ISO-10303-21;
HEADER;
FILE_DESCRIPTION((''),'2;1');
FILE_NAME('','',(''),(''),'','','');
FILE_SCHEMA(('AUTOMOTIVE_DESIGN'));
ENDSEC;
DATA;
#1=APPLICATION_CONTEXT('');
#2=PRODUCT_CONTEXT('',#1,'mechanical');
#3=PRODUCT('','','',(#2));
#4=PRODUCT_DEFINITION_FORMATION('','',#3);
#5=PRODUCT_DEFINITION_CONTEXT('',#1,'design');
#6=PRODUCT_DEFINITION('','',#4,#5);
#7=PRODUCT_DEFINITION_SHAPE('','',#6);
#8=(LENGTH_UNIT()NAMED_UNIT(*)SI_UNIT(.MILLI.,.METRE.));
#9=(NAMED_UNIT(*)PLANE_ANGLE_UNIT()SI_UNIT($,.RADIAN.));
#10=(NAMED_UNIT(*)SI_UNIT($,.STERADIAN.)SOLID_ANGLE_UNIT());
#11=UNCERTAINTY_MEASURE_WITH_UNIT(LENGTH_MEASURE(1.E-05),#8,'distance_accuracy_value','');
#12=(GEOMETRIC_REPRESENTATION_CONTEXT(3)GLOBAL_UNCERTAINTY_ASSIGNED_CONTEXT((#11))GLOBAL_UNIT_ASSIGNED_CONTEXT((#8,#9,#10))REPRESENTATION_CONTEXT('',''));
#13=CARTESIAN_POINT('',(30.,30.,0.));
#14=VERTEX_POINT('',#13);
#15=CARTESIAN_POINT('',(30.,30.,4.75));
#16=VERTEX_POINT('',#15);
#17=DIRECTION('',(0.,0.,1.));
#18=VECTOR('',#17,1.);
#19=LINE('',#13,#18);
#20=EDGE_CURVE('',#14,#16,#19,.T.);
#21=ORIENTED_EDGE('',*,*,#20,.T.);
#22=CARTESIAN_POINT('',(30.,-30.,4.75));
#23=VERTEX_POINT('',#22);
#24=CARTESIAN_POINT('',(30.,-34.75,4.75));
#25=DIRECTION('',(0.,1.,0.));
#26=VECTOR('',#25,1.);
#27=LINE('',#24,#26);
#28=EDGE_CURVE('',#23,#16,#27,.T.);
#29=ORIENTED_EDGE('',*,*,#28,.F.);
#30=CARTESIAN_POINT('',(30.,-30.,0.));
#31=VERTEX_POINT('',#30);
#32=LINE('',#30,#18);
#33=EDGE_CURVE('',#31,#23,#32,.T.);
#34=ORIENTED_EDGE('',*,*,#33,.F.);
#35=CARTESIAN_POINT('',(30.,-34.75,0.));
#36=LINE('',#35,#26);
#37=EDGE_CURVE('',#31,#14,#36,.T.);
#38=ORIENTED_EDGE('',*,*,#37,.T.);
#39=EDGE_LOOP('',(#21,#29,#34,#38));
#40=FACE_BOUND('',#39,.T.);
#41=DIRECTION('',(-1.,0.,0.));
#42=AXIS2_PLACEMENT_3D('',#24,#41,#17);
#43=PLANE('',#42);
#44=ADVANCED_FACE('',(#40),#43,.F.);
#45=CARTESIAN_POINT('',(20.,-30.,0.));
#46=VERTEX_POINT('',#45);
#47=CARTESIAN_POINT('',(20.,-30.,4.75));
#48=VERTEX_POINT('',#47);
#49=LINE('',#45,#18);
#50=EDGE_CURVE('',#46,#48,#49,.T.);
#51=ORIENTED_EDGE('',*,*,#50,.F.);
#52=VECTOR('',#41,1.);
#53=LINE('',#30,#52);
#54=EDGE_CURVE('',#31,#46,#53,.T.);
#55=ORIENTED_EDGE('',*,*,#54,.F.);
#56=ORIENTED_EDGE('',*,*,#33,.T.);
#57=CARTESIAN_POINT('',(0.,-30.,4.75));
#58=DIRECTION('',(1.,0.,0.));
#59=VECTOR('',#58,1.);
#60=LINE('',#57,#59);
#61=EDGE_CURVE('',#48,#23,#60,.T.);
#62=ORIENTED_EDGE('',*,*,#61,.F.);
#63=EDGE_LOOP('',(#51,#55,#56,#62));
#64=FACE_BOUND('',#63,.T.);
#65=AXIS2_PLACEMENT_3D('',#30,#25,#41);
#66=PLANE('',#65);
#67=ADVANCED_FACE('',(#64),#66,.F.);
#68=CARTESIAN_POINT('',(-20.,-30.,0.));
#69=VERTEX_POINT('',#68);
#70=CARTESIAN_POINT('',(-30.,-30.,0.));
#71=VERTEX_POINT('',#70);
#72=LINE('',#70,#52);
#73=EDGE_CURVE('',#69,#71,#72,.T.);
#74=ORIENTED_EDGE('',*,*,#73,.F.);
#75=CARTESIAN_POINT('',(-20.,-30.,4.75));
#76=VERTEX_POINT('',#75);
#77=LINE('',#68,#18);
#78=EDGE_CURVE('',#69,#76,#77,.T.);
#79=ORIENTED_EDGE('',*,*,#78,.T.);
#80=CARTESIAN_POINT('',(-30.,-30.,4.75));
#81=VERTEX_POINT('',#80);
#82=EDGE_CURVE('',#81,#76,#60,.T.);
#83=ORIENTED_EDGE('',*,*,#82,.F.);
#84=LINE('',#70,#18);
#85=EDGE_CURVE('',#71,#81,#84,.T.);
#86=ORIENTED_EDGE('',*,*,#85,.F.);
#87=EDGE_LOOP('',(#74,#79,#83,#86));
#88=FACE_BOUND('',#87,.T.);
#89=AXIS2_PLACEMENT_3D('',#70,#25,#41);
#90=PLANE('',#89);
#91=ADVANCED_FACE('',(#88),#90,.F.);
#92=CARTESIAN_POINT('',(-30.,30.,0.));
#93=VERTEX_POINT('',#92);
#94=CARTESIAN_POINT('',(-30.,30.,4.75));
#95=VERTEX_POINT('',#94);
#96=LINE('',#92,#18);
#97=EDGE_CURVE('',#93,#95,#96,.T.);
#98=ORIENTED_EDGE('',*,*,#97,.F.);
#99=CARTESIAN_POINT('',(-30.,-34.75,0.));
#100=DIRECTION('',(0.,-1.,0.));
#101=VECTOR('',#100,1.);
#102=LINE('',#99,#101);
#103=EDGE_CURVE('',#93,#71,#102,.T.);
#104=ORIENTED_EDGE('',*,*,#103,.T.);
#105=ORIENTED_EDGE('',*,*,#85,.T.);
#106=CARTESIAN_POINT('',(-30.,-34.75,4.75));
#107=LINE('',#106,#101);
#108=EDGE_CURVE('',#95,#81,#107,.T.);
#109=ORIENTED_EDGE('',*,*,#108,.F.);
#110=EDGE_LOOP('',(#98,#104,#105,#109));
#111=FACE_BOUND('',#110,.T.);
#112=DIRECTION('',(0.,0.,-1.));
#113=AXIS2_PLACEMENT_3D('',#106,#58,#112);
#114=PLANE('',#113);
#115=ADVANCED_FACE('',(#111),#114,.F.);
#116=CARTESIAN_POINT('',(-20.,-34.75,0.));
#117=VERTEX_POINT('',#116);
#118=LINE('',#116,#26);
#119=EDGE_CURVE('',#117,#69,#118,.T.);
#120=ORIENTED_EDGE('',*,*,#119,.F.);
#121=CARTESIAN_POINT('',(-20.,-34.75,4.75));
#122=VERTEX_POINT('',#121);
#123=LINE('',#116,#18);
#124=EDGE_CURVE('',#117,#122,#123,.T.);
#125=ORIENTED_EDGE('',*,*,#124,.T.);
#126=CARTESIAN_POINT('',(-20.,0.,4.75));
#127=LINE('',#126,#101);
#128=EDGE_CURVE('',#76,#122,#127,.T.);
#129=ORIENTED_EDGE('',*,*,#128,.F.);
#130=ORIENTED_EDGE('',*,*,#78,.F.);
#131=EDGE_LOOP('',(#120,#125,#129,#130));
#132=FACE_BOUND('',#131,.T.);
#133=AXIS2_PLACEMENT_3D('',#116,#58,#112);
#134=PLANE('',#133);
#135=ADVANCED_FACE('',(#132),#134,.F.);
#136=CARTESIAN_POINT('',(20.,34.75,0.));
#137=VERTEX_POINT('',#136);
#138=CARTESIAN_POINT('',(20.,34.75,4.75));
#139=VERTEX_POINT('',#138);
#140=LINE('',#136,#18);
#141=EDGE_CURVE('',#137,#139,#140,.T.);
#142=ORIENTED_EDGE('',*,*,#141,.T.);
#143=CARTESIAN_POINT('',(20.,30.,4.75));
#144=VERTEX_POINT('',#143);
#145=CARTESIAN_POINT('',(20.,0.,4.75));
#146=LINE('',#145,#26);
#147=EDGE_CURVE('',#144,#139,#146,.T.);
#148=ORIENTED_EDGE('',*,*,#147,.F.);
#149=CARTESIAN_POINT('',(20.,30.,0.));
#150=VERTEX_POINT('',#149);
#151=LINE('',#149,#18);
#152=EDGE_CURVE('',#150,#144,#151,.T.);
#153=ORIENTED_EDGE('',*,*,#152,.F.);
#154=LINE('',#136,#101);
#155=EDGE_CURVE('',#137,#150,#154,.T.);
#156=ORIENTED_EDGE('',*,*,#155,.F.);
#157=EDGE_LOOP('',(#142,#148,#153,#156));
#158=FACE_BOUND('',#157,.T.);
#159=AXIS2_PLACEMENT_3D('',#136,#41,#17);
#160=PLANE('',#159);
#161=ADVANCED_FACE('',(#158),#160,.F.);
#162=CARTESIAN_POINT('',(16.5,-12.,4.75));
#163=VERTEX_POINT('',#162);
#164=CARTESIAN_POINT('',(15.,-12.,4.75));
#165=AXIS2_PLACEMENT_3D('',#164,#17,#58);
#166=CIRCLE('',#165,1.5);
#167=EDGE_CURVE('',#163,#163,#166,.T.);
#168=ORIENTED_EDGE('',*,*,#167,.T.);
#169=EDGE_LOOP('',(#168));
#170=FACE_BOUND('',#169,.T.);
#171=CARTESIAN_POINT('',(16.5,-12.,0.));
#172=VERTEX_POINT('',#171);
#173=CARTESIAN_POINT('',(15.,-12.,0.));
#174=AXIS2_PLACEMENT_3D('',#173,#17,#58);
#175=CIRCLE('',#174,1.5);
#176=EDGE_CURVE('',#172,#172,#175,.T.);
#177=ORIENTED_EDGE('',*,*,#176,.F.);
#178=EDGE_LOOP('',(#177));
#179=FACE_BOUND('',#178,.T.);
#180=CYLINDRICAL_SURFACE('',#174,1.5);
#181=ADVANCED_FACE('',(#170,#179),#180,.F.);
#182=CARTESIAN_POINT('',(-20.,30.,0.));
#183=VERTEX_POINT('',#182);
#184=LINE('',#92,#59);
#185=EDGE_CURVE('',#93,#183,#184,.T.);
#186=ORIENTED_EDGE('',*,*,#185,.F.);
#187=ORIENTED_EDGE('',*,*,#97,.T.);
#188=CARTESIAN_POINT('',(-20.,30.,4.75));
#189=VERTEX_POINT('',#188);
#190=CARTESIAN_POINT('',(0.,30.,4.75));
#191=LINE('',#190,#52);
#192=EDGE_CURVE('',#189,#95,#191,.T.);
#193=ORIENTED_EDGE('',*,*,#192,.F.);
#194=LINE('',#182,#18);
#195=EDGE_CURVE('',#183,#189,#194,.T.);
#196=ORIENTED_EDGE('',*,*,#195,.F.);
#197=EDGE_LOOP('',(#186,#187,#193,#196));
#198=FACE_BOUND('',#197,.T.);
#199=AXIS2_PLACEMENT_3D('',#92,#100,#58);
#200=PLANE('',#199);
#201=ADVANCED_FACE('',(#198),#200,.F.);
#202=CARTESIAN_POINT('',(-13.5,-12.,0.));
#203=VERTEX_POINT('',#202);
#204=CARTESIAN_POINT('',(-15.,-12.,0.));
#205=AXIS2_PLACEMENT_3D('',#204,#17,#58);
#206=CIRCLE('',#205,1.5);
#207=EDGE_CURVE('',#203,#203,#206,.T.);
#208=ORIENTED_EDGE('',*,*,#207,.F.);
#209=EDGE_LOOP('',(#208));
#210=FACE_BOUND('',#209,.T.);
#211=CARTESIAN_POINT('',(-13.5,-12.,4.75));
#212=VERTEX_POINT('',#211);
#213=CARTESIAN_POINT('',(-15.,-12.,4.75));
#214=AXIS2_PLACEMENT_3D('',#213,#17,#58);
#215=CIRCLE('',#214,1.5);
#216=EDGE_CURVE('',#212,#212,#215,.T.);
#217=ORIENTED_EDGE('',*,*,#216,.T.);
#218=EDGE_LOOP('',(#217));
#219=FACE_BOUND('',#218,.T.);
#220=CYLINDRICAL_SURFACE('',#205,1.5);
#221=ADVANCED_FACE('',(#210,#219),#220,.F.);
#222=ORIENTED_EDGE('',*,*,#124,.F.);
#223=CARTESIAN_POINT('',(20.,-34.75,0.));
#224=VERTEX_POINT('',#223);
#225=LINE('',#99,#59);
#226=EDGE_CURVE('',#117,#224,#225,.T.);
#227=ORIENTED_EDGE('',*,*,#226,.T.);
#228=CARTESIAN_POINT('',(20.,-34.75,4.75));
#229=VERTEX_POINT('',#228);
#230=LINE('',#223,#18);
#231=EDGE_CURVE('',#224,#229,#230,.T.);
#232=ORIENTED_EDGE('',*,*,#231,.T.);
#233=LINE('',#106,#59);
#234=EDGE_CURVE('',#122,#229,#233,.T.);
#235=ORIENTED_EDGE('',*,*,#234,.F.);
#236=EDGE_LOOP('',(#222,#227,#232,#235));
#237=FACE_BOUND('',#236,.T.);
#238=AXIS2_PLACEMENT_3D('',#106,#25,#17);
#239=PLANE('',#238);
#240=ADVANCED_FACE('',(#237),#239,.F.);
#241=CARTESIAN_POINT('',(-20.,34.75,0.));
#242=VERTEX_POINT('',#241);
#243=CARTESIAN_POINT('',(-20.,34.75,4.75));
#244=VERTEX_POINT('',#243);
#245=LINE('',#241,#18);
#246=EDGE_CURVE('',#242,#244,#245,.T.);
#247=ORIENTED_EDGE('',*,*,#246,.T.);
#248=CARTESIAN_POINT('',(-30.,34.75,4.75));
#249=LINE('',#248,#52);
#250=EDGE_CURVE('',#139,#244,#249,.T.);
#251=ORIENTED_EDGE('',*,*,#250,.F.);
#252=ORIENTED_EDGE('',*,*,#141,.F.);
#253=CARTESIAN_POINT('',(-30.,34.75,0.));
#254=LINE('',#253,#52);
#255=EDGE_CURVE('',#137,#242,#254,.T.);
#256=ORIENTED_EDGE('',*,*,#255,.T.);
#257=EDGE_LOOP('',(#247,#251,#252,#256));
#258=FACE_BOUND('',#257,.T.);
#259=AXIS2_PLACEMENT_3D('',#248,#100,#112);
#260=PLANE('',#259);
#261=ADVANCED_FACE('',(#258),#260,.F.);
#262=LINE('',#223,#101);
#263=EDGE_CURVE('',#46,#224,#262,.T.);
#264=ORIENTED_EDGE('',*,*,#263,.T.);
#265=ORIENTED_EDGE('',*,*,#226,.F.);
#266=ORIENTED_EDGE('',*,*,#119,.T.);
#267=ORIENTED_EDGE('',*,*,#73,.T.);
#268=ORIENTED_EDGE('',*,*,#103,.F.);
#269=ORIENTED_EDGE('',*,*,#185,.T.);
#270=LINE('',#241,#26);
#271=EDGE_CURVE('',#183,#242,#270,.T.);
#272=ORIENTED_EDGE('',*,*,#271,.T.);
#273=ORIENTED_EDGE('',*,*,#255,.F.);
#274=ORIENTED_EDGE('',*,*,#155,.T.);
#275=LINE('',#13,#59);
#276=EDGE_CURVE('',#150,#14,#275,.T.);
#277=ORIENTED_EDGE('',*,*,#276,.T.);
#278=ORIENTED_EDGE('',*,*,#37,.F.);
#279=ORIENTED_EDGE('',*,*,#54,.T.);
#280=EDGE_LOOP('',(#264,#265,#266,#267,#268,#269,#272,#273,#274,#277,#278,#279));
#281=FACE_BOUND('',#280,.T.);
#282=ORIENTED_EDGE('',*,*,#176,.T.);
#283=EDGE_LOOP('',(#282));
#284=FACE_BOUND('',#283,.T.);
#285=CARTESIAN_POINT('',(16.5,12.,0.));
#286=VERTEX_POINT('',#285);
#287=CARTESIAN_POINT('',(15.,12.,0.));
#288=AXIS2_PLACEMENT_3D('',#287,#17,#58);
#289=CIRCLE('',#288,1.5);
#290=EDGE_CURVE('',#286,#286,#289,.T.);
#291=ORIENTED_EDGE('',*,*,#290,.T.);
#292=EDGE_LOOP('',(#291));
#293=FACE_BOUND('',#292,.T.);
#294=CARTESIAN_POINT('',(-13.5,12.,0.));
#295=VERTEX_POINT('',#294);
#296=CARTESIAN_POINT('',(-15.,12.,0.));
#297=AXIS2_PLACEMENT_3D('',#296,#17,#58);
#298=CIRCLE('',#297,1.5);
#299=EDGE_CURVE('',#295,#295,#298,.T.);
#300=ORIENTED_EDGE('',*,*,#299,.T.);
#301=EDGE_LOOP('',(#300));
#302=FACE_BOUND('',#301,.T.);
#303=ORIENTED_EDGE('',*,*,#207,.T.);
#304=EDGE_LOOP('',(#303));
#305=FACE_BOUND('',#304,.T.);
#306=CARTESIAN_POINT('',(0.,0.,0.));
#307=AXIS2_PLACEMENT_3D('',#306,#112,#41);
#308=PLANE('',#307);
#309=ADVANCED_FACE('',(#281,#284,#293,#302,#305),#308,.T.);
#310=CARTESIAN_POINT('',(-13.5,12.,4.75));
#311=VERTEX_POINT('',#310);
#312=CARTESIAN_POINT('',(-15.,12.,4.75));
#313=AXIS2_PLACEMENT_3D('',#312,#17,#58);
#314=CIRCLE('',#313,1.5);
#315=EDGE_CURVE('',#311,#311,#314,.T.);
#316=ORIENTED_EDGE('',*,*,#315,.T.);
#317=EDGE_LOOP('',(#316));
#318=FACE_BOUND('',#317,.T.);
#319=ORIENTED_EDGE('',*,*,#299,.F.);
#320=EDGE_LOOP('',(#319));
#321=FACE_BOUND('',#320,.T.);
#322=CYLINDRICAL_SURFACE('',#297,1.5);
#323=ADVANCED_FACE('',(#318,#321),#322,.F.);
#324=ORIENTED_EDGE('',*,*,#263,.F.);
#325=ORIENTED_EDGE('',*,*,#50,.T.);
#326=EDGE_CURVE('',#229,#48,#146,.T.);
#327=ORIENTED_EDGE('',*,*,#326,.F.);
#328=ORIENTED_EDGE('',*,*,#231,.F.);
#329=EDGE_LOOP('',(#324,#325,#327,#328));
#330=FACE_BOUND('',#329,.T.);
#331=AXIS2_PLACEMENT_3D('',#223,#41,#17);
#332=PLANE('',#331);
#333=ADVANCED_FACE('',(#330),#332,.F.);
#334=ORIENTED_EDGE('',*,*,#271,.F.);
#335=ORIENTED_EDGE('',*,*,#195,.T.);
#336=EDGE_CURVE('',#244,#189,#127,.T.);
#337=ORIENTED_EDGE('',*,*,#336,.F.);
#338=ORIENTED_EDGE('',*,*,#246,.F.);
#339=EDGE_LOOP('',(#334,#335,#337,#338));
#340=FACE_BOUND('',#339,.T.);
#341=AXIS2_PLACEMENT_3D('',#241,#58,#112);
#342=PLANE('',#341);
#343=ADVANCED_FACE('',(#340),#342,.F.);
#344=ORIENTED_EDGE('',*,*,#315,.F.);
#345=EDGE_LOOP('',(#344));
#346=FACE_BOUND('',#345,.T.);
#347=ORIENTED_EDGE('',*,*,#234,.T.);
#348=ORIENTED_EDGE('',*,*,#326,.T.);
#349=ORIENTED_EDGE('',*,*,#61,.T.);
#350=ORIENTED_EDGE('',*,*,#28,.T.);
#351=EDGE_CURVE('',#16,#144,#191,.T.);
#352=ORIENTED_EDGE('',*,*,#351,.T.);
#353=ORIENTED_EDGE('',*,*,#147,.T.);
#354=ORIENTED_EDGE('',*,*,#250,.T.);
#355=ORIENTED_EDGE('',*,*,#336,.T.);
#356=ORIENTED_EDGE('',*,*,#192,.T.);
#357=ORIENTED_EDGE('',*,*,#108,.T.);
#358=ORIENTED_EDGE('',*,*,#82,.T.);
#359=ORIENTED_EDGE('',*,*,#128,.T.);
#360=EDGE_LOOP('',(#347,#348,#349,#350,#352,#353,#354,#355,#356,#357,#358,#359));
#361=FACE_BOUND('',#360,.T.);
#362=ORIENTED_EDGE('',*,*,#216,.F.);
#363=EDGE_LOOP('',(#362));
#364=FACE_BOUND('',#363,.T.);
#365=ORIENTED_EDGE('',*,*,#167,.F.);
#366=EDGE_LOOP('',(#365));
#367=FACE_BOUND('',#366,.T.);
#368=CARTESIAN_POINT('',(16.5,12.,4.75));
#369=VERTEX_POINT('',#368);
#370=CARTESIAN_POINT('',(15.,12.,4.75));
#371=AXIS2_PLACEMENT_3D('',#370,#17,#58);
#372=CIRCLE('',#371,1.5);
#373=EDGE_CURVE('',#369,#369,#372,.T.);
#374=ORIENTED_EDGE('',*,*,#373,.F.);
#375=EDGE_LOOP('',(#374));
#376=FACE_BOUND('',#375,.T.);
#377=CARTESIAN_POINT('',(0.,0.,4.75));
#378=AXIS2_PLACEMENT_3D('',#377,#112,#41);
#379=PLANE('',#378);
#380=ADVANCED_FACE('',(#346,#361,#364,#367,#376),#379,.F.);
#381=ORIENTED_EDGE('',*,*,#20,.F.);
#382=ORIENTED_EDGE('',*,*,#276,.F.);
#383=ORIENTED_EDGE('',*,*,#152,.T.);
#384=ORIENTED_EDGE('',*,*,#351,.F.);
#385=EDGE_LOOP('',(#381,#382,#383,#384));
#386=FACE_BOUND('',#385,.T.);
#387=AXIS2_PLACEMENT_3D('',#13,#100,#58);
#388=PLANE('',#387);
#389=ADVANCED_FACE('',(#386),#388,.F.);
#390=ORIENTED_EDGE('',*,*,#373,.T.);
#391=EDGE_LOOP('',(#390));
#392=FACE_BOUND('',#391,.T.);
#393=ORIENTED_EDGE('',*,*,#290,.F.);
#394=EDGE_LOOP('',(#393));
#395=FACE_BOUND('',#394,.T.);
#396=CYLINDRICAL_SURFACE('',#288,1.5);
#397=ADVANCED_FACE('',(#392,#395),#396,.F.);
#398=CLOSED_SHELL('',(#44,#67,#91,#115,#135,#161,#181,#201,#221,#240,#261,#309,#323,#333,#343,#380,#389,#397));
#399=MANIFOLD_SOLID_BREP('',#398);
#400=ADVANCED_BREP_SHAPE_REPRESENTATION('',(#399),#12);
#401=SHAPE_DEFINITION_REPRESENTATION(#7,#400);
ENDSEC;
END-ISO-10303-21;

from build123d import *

# Parameters (mm, degrees)
SKETCH1_W               = 60
SKETCH1_H               = 69.5
BOSS_EXTRUDE1_DEPTH     = 4.75
SKETCH2_W               = 10
SKETCH2_H               = 4.75
CUT_EXTRUDE1_DEPTH      = 1
CUT_EXTRUDE1_DEPTH_BACK = 5.75
SKETCH3_R               = 1.5
CUT_EXTRUDE2_DEPTH      = 1
CUT_EXTRUDE2_DEPTH_BACK = 5.75


with BuildPart() as part:
    # Sketch1 → Boss-Extrude1 (new body)
    with BuildSketch(Plane.XY):
        Rectangle(SKETCH1_W, SKETCH1_H)
    extrude(amount=BOSS_EXTRUDE1_DEPTH)

    # Sketch2 → Cut-Extrude1 (cut, two sides)
    with BuildSketch(Plane.XY.offset(4.75)) as cut_extrude1_sk:
        with Locations((-25, 32.375)):
            Rectangle(SKETCH2_W, SKETCH2_H)
        with Locations((-25, -32.375)):
            Rectangle(SKETCH2_W, SKETCH2_H)
        with Locations((25, -32.375)):
            Rectangle(SKETCH2_W, SKETCH2_H)
        with Locations((25, 32.375)):
            Rectangle(SKETCH2_W, SKETCH2_H)
    extrude(amount=CUT_EXTRUDE1_DEPTH, mode=Mode.SUBTRACT)
    extrude(cut_extrude1_sk.sketch, amount=-CUT_EXTRUDE1_DEPTH_BACK, mode=Mode.SUBTRACT)

    # Sketch3 → Cut-Extrude2 (cut, two sides)
    with BuildSketch(Plane.XY.offset(4.75)) as cut_extrude2_sk:
        with Locations((-15, 12)):
            Circle(SKETCH3_R)
        with Locations((-15, -12)):
            Circle(SKETCH3_R)
        with Locations((15, -12)):
            Circle(SKETCH3_R)
        with Locations((15, 12)):
            Circle(SKETCH3_R)
    extrude(amount=CUT_EXTRUDE2_DEPTH, mode=Mode.SUBTRACT)
    extrude(cut_extrude2_sk.sketch, amount=-CUT_EXTRUDE2_DEPTH_BACK, mode=Mode.SUBTRACT)


solid = part.part
